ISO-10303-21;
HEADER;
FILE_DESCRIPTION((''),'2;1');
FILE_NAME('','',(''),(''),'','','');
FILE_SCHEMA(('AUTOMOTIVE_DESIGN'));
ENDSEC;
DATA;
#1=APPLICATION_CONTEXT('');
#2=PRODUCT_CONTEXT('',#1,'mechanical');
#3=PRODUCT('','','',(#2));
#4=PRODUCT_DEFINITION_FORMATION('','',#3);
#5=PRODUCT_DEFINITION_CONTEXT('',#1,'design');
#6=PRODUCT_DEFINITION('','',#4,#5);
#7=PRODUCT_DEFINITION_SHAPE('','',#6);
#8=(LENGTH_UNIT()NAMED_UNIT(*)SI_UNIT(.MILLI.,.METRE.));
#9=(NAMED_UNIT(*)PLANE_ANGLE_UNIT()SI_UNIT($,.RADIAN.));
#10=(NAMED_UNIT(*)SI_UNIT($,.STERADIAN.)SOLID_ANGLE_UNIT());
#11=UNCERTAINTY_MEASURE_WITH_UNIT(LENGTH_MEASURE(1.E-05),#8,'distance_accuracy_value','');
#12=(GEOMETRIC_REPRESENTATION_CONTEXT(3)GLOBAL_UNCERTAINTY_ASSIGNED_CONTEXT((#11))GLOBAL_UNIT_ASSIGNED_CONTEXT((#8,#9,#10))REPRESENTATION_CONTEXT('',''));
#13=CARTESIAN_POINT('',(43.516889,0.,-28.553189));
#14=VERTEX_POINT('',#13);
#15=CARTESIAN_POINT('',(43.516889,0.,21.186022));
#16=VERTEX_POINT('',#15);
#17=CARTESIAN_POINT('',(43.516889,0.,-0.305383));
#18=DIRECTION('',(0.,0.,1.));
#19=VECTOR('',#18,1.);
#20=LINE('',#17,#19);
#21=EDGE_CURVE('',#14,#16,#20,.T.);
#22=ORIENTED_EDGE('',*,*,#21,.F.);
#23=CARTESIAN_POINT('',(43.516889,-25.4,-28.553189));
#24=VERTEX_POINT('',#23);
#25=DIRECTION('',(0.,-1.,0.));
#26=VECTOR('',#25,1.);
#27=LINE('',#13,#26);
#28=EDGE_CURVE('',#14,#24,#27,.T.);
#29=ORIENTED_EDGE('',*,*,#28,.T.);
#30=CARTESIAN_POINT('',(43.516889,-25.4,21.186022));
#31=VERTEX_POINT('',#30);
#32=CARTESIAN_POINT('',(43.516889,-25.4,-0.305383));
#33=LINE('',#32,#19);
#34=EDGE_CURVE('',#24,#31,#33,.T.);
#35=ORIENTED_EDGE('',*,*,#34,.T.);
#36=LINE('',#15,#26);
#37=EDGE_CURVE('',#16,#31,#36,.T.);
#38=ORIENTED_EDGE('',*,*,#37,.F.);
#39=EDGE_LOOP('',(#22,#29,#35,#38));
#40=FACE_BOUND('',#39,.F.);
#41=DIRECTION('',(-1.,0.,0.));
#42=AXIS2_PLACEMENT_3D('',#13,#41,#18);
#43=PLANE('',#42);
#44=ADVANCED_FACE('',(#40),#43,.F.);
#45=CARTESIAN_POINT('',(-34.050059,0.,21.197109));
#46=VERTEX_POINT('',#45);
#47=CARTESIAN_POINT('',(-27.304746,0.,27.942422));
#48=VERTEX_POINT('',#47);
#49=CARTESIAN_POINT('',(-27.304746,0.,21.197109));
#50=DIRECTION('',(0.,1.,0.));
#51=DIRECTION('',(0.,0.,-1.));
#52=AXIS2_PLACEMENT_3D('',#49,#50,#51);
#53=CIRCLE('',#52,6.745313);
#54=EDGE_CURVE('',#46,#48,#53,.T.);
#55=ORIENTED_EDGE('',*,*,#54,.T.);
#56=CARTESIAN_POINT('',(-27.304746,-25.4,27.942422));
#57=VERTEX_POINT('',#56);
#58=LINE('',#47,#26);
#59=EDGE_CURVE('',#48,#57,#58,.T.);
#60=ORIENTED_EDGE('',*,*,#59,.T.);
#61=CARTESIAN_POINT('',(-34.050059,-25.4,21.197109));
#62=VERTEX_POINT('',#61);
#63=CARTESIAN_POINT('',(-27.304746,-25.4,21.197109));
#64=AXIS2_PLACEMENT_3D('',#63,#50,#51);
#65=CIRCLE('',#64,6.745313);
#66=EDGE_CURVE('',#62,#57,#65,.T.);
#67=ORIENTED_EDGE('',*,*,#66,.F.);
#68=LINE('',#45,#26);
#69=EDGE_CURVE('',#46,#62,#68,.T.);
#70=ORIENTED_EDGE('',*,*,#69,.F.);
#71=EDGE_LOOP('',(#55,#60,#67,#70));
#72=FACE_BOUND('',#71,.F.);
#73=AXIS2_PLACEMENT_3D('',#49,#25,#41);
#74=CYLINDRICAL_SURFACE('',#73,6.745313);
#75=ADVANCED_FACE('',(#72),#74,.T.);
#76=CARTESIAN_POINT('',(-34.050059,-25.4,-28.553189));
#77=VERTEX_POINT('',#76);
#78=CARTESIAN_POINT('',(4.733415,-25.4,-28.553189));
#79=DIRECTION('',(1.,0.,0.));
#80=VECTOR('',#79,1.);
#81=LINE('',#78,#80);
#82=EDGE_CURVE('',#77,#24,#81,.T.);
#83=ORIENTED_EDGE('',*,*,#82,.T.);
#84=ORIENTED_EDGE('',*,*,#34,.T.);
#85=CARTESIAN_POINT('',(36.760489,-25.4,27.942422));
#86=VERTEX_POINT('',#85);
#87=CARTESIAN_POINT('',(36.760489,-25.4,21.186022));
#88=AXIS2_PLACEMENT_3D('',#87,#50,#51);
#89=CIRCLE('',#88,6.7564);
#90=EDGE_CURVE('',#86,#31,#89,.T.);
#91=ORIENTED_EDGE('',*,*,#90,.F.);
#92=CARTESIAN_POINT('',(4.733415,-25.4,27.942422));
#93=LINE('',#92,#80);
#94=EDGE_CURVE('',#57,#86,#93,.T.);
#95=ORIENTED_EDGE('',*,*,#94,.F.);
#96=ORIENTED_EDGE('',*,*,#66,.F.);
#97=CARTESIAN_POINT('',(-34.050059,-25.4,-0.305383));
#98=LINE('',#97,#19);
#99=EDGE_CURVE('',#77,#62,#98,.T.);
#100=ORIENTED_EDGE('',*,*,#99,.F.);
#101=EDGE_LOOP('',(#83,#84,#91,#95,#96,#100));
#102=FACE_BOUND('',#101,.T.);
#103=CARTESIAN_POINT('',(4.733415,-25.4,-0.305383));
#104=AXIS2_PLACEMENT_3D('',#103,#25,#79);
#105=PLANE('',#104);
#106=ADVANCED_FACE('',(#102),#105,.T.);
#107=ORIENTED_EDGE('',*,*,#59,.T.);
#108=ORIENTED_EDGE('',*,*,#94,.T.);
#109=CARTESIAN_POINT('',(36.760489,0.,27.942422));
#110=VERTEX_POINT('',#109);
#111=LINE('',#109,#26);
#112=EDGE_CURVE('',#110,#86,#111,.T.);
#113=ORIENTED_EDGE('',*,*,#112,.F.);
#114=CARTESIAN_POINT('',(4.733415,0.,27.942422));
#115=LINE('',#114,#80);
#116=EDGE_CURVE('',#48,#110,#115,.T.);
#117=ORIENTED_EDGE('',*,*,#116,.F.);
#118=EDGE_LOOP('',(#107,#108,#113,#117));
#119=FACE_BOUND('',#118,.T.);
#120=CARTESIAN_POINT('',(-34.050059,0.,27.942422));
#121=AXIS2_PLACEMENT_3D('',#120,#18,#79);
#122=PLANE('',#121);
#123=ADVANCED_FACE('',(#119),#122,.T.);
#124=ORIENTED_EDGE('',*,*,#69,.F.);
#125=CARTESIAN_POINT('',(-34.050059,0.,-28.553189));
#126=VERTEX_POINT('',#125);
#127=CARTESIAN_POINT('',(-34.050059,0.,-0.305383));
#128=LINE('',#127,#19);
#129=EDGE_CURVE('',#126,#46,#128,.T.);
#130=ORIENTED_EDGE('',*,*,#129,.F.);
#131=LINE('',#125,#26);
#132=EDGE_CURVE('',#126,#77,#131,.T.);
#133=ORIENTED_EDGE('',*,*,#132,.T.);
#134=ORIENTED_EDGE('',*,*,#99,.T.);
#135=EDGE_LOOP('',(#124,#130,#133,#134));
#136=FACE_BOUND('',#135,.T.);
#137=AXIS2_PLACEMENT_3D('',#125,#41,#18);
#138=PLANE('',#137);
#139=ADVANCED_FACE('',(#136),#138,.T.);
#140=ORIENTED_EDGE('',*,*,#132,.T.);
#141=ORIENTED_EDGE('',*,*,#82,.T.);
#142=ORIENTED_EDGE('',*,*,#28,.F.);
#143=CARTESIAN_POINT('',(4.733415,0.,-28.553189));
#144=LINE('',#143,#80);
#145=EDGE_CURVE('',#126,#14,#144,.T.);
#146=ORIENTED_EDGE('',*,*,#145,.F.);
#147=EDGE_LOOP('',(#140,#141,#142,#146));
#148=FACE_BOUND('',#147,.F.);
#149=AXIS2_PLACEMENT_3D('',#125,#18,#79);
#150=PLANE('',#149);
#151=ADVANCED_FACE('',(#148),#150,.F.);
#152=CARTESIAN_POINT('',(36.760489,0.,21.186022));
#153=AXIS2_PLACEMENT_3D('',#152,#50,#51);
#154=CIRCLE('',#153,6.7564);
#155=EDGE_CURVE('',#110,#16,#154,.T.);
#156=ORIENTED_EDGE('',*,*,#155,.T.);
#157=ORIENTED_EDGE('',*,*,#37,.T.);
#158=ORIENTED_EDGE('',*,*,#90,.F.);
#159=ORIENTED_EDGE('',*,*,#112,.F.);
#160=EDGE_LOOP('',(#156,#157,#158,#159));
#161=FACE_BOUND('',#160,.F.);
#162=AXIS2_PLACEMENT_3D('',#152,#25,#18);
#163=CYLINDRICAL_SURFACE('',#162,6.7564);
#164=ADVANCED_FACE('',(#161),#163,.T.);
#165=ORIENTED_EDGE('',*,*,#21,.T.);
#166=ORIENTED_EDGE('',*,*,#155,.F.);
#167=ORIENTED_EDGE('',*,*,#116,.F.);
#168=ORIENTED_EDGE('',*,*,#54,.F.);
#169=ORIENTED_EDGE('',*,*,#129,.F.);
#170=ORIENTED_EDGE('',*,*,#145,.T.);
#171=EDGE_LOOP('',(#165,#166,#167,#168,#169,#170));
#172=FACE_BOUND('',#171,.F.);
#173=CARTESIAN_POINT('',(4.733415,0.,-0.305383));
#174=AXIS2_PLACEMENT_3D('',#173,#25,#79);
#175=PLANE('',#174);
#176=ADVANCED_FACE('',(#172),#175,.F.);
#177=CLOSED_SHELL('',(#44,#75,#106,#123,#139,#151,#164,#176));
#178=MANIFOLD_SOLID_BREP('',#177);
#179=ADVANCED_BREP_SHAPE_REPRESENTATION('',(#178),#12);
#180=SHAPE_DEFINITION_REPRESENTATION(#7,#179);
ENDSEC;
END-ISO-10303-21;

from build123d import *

# Parameters (mm, degrees)
F0_W     = 77.566948
F0_H     = 56.495611
F1_DEPTH = 25.4
F2_R     = 8.919249
F3_DEPTH = 25.4
F4_R     = 6.745313
F5_R     = 6.7564


with BuildPart() as f1:
    # F0 (on Front) → F1 (new body)
    with BuildSketch(Plane.XZ):
        with Locations((4.733415, -0.305383)):
            Rectangle(F0_W, F0_H)
    extrude(amount=F1_DEPTH)

    # F2 (on face) → F3 (join)
    with BuildSketch(Plane.XZ.offset(25.4)):
        Circle(F2_R)
    extrude(amount=-F3_DEPTH)

    # F4
    f4_edges = [f1.edges().sort_by_distance(p)[0] for p in [
        (-34.050059, -12.7, 27.942423),
    ]]
    fillet(f4_edges, radius=F4_R)

    # F5
    f5_edges = [f1.edges().sort_by_distance(p)[0] for p in [
        (43.516889, -12.7, 27.942423),
    ]]
    fillet(f5_edges, radius=F5_R)


solid = f1.part
